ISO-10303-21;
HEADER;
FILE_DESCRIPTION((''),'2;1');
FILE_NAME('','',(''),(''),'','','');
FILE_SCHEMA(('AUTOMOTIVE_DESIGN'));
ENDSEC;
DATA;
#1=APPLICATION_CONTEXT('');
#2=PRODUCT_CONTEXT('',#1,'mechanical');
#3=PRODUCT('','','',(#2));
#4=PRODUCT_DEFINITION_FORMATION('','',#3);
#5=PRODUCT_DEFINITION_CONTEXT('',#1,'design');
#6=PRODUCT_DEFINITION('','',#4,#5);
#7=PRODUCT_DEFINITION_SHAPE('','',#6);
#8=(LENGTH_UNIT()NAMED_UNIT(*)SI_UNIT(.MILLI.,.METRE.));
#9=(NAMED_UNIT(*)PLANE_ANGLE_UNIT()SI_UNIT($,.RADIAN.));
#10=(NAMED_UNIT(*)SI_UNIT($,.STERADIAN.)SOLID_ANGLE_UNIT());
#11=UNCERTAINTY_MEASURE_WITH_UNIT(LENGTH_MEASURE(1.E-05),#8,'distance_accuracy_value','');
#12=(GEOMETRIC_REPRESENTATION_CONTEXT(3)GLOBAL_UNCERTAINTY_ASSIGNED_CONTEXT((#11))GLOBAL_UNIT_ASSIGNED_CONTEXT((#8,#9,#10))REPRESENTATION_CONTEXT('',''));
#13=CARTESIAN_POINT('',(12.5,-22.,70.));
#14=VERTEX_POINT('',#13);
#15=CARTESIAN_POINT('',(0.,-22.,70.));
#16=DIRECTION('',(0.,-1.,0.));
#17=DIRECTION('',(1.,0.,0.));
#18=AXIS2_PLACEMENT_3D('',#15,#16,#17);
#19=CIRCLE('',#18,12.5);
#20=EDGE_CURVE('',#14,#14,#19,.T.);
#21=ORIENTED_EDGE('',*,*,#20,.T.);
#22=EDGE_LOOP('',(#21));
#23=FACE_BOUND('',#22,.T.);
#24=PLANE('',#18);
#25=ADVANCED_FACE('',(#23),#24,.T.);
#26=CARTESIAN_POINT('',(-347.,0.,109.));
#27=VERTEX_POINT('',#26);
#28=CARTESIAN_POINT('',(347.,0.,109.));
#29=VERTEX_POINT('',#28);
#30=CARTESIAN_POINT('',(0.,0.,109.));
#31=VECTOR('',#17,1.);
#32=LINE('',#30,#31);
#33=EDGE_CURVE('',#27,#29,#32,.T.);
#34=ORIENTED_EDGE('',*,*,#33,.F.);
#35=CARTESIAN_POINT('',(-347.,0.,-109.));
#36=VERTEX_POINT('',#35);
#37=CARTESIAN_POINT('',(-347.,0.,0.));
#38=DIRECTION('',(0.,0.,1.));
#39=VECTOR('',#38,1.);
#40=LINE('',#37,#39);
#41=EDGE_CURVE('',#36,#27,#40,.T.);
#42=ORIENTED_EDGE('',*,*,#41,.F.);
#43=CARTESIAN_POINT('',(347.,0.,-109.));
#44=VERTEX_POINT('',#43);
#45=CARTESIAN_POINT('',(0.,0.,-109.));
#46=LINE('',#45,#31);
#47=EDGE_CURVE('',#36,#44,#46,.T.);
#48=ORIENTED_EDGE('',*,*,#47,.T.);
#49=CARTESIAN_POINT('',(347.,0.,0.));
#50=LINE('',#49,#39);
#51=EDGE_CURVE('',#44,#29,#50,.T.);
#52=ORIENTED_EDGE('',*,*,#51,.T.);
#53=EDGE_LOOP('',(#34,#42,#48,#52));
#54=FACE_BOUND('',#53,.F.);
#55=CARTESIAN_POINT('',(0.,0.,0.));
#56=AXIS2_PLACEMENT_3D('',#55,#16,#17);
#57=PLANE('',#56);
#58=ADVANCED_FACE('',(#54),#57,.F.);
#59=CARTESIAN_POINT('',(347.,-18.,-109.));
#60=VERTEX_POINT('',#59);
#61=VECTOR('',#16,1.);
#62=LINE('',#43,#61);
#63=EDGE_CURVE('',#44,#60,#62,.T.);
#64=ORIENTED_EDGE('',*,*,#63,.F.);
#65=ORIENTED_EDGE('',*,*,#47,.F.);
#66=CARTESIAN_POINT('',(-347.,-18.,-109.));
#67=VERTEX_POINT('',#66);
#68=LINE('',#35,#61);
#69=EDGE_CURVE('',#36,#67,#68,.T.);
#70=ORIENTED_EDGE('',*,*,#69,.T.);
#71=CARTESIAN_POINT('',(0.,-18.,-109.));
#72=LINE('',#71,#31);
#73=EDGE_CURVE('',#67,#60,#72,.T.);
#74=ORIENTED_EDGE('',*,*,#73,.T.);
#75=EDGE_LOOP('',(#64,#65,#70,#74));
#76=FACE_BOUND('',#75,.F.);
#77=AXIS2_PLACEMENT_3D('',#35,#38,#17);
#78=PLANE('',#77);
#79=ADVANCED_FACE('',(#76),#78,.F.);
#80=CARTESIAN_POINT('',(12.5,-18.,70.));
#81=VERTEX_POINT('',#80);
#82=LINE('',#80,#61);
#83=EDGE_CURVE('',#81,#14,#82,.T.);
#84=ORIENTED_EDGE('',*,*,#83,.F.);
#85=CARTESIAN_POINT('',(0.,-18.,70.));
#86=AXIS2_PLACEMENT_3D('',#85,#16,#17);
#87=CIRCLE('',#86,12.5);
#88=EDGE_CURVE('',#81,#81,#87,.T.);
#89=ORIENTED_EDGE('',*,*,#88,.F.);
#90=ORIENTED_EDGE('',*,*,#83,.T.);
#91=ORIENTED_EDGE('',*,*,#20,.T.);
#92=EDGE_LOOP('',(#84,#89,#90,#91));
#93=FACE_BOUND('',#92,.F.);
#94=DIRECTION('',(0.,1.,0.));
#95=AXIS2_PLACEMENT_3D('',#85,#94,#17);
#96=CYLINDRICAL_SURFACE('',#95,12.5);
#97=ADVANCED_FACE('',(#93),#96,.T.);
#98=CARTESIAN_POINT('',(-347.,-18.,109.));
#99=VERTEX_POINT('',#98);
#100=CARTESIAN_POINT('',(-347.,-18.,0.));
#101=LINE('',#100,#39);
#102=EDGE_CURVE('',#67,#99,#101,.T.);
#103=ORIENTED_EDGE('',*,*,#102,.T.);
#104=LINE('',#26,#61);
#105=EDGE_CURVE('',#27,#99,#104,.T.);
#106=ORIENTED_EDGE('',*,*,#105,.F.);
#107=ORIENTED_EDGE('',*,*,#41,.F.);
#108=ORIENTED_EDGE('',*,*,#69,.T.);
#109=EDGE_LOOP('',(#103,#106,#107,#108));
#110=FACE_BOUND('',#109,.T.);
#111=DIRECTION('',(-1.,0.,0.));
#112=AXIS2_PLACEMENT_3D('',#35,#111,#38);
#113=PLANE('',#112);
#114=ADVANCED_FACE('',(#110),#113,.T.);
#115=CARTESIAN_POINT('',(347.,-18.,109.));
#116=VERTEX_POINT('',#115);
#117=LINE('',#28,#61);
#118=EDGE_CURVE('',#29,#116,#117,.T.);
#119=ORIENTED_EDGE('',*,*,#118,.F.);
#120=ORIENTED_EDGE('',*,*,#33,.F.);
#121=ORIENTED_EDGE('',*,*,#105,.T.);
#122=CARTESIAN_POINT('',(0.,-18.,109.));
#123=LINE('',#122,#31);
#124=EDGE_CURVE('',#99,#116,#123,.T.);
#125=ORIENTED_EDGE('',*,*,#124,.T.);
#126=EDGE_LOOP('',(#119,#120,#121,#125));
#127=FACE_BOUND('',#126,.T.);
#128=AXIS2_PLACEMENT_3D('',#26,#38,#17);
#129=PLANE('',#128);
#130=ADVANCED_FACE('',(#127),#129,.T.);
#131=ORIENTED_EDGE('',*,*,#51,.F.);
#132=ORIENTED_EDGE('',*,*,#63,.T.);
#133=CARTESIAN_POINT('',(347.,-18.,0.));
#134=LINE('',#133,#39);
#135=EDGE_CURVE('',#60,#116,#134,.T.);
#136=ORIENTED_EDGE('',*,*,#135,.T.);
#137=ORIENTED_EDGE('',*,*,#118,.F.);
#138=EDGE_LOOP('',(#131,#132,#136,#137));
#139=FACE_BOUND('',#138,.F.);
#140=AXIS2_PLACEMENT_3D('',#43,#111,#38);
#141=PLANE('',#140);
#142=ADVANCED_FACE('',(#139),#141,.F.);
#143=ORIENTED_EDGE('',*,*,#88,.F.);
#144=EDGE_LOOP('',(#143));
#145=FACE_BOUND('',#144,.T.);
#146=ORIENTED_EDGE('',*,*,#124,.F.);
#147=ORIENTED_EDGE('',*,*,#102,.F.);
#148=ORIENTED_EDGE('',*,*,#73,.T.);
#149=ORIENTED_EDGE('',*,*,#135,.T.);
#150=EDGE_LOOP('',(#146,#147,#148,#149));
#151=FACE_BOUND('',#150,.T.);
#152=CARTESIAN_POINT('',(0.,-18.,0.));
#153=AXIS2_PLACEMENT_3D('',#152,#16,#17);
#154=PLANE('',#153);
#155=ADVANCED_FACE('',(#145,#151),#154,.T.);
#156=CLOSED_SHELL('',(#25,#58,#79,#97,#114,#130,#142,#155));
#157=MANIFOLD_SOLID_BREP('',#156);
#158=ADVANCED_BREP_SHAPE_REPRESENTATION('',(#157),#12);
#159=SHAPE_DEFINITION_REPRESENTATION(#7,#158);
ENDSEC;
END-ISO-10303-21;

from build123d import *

# Parameters (mm, degrees)
F0_W     = 694
F0_H     = 218
F1_DEPTH = 18
F2_R     = 12.5
F3_DEPTH = 4


with BuildPart() as f1:
    # F0 (on Front) → F1 (new body)
    with BuildSketch(Plane.XZ):
        Rectangle(F0_W, F0_H)
    extrude(amount=F1_DEPTH)

    # F2 (on face) → F3 (join)
    with BuildSketch(Plane.XZ.offset(18)):
        with Locations((0, 70)):
            Circle(F2_R)
    extrude(amount=F3_DEPTH)


solid = f1.part
